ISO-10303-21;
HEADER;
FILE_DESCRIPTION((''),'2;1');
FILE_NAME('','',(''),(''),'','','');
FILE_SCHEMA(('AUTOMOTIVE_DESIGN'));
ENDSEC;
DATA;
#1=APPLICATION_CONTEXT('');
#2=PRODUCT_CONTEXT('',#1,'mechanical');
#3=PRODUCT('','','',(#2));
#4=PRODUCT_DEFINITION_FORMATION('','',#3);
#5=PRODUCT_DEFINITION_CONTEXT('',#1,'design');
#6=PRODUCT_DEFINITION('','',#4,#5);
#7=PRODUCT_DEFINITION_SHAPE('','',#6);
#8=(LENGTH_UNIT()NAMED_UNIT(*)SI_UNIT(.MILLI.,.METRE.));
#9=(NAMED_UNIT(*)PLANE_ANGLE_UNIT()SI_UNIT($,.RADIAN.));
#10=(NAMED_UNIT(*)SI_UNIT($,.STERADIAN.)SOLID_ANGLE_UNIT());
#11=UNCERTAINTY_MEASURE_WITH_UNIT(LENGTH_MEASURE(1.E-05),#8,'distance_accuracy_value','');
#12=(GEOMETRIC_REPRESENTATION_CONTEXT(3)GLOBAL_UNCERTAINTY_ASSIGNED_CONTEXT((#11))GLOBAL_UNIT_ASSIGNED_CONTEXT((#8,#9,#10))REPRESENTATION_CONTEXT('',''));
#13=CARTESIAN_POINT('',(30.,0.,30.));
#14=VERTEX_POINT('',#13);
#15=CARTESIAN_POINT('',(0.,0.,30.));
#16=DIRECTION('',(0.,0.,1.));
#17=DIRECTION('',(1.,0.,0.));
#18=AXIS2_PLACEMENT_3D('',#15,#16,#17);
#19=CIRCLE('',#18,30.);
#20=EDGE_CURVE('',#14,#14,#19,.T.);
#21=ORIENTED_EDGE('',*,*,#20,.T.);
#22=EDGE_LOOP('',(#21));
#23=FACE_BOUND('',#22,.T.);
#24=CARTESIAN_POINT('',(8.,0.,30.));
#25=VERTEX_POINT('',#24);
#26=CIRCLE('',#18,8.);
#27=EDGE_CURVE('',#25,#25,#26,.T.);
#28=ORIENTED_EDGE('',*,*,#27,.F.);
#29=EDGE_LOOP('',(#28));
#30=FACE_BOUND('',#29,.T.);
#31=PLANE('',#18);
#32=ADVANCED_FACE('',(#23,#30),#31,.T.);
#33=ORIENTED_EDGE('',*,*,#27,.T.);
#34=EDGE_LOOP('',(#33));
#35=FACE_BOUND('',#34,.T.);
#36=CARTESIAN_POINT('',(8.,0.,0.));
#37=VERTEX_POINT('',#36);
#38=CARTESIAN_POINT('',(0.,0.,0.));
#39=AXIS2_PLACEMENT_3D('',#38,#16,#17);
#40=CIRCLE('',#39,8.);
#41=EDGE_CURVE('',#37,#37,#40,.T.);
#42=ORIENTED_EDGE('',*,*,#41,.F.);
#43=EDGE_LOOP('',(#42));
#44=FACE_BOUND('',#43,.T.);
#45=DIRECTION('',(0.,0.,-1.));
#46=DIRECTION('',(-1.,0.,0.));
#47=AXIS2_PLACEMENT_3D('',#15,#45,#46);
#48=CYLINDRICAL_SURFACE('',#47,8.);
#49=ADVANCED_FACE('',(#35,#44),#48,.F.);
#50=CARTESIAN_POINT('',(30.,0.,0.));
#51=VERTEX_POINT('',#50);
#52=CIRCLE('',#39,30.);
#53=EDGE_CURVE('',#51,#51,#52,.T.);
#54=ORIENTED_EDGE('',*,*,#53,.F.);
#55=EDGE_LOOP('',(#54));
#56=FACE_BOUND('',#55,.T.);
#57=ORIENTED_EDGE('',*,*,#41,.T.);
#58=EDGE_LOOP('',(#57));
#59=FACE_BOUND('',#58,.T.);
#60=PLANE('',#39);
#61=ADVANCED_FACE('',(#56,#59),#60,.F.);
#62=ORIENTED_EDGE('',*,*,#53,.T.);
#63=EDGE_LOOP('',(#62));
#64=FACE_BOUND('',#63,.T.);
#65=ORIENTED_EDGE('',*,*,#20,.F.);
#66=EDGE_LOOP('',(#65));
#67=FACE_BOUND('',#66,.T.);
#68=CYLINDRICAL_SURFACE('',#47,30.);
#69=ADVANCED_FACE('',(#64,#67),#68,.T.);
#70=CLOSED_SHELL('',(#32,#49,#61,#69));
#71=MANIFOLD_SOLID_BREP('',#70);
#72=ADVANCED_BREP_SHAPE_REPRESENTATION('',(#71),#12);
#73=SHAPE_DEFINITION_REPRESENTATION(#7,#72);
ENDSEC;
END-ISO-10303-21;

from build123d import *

# Parameters (mm, degrees)
SKETCH_1_R      = 30
SKETCH_1_R_2    = 8
EXTRUDE_1_DEPTH = 30


with BuildPart() as part:
    # 草图1 → 凸台-拉伸1 (new body)
    with BuildSketch(Plane.XY):
        Circle(SKETCH_1_R)
        Circle(SKETCH_1_R_2, mode=Mode.SUBTRACT)
    extrude(amount=EXTRUDE_1_DEPTH)


solid = part.part
